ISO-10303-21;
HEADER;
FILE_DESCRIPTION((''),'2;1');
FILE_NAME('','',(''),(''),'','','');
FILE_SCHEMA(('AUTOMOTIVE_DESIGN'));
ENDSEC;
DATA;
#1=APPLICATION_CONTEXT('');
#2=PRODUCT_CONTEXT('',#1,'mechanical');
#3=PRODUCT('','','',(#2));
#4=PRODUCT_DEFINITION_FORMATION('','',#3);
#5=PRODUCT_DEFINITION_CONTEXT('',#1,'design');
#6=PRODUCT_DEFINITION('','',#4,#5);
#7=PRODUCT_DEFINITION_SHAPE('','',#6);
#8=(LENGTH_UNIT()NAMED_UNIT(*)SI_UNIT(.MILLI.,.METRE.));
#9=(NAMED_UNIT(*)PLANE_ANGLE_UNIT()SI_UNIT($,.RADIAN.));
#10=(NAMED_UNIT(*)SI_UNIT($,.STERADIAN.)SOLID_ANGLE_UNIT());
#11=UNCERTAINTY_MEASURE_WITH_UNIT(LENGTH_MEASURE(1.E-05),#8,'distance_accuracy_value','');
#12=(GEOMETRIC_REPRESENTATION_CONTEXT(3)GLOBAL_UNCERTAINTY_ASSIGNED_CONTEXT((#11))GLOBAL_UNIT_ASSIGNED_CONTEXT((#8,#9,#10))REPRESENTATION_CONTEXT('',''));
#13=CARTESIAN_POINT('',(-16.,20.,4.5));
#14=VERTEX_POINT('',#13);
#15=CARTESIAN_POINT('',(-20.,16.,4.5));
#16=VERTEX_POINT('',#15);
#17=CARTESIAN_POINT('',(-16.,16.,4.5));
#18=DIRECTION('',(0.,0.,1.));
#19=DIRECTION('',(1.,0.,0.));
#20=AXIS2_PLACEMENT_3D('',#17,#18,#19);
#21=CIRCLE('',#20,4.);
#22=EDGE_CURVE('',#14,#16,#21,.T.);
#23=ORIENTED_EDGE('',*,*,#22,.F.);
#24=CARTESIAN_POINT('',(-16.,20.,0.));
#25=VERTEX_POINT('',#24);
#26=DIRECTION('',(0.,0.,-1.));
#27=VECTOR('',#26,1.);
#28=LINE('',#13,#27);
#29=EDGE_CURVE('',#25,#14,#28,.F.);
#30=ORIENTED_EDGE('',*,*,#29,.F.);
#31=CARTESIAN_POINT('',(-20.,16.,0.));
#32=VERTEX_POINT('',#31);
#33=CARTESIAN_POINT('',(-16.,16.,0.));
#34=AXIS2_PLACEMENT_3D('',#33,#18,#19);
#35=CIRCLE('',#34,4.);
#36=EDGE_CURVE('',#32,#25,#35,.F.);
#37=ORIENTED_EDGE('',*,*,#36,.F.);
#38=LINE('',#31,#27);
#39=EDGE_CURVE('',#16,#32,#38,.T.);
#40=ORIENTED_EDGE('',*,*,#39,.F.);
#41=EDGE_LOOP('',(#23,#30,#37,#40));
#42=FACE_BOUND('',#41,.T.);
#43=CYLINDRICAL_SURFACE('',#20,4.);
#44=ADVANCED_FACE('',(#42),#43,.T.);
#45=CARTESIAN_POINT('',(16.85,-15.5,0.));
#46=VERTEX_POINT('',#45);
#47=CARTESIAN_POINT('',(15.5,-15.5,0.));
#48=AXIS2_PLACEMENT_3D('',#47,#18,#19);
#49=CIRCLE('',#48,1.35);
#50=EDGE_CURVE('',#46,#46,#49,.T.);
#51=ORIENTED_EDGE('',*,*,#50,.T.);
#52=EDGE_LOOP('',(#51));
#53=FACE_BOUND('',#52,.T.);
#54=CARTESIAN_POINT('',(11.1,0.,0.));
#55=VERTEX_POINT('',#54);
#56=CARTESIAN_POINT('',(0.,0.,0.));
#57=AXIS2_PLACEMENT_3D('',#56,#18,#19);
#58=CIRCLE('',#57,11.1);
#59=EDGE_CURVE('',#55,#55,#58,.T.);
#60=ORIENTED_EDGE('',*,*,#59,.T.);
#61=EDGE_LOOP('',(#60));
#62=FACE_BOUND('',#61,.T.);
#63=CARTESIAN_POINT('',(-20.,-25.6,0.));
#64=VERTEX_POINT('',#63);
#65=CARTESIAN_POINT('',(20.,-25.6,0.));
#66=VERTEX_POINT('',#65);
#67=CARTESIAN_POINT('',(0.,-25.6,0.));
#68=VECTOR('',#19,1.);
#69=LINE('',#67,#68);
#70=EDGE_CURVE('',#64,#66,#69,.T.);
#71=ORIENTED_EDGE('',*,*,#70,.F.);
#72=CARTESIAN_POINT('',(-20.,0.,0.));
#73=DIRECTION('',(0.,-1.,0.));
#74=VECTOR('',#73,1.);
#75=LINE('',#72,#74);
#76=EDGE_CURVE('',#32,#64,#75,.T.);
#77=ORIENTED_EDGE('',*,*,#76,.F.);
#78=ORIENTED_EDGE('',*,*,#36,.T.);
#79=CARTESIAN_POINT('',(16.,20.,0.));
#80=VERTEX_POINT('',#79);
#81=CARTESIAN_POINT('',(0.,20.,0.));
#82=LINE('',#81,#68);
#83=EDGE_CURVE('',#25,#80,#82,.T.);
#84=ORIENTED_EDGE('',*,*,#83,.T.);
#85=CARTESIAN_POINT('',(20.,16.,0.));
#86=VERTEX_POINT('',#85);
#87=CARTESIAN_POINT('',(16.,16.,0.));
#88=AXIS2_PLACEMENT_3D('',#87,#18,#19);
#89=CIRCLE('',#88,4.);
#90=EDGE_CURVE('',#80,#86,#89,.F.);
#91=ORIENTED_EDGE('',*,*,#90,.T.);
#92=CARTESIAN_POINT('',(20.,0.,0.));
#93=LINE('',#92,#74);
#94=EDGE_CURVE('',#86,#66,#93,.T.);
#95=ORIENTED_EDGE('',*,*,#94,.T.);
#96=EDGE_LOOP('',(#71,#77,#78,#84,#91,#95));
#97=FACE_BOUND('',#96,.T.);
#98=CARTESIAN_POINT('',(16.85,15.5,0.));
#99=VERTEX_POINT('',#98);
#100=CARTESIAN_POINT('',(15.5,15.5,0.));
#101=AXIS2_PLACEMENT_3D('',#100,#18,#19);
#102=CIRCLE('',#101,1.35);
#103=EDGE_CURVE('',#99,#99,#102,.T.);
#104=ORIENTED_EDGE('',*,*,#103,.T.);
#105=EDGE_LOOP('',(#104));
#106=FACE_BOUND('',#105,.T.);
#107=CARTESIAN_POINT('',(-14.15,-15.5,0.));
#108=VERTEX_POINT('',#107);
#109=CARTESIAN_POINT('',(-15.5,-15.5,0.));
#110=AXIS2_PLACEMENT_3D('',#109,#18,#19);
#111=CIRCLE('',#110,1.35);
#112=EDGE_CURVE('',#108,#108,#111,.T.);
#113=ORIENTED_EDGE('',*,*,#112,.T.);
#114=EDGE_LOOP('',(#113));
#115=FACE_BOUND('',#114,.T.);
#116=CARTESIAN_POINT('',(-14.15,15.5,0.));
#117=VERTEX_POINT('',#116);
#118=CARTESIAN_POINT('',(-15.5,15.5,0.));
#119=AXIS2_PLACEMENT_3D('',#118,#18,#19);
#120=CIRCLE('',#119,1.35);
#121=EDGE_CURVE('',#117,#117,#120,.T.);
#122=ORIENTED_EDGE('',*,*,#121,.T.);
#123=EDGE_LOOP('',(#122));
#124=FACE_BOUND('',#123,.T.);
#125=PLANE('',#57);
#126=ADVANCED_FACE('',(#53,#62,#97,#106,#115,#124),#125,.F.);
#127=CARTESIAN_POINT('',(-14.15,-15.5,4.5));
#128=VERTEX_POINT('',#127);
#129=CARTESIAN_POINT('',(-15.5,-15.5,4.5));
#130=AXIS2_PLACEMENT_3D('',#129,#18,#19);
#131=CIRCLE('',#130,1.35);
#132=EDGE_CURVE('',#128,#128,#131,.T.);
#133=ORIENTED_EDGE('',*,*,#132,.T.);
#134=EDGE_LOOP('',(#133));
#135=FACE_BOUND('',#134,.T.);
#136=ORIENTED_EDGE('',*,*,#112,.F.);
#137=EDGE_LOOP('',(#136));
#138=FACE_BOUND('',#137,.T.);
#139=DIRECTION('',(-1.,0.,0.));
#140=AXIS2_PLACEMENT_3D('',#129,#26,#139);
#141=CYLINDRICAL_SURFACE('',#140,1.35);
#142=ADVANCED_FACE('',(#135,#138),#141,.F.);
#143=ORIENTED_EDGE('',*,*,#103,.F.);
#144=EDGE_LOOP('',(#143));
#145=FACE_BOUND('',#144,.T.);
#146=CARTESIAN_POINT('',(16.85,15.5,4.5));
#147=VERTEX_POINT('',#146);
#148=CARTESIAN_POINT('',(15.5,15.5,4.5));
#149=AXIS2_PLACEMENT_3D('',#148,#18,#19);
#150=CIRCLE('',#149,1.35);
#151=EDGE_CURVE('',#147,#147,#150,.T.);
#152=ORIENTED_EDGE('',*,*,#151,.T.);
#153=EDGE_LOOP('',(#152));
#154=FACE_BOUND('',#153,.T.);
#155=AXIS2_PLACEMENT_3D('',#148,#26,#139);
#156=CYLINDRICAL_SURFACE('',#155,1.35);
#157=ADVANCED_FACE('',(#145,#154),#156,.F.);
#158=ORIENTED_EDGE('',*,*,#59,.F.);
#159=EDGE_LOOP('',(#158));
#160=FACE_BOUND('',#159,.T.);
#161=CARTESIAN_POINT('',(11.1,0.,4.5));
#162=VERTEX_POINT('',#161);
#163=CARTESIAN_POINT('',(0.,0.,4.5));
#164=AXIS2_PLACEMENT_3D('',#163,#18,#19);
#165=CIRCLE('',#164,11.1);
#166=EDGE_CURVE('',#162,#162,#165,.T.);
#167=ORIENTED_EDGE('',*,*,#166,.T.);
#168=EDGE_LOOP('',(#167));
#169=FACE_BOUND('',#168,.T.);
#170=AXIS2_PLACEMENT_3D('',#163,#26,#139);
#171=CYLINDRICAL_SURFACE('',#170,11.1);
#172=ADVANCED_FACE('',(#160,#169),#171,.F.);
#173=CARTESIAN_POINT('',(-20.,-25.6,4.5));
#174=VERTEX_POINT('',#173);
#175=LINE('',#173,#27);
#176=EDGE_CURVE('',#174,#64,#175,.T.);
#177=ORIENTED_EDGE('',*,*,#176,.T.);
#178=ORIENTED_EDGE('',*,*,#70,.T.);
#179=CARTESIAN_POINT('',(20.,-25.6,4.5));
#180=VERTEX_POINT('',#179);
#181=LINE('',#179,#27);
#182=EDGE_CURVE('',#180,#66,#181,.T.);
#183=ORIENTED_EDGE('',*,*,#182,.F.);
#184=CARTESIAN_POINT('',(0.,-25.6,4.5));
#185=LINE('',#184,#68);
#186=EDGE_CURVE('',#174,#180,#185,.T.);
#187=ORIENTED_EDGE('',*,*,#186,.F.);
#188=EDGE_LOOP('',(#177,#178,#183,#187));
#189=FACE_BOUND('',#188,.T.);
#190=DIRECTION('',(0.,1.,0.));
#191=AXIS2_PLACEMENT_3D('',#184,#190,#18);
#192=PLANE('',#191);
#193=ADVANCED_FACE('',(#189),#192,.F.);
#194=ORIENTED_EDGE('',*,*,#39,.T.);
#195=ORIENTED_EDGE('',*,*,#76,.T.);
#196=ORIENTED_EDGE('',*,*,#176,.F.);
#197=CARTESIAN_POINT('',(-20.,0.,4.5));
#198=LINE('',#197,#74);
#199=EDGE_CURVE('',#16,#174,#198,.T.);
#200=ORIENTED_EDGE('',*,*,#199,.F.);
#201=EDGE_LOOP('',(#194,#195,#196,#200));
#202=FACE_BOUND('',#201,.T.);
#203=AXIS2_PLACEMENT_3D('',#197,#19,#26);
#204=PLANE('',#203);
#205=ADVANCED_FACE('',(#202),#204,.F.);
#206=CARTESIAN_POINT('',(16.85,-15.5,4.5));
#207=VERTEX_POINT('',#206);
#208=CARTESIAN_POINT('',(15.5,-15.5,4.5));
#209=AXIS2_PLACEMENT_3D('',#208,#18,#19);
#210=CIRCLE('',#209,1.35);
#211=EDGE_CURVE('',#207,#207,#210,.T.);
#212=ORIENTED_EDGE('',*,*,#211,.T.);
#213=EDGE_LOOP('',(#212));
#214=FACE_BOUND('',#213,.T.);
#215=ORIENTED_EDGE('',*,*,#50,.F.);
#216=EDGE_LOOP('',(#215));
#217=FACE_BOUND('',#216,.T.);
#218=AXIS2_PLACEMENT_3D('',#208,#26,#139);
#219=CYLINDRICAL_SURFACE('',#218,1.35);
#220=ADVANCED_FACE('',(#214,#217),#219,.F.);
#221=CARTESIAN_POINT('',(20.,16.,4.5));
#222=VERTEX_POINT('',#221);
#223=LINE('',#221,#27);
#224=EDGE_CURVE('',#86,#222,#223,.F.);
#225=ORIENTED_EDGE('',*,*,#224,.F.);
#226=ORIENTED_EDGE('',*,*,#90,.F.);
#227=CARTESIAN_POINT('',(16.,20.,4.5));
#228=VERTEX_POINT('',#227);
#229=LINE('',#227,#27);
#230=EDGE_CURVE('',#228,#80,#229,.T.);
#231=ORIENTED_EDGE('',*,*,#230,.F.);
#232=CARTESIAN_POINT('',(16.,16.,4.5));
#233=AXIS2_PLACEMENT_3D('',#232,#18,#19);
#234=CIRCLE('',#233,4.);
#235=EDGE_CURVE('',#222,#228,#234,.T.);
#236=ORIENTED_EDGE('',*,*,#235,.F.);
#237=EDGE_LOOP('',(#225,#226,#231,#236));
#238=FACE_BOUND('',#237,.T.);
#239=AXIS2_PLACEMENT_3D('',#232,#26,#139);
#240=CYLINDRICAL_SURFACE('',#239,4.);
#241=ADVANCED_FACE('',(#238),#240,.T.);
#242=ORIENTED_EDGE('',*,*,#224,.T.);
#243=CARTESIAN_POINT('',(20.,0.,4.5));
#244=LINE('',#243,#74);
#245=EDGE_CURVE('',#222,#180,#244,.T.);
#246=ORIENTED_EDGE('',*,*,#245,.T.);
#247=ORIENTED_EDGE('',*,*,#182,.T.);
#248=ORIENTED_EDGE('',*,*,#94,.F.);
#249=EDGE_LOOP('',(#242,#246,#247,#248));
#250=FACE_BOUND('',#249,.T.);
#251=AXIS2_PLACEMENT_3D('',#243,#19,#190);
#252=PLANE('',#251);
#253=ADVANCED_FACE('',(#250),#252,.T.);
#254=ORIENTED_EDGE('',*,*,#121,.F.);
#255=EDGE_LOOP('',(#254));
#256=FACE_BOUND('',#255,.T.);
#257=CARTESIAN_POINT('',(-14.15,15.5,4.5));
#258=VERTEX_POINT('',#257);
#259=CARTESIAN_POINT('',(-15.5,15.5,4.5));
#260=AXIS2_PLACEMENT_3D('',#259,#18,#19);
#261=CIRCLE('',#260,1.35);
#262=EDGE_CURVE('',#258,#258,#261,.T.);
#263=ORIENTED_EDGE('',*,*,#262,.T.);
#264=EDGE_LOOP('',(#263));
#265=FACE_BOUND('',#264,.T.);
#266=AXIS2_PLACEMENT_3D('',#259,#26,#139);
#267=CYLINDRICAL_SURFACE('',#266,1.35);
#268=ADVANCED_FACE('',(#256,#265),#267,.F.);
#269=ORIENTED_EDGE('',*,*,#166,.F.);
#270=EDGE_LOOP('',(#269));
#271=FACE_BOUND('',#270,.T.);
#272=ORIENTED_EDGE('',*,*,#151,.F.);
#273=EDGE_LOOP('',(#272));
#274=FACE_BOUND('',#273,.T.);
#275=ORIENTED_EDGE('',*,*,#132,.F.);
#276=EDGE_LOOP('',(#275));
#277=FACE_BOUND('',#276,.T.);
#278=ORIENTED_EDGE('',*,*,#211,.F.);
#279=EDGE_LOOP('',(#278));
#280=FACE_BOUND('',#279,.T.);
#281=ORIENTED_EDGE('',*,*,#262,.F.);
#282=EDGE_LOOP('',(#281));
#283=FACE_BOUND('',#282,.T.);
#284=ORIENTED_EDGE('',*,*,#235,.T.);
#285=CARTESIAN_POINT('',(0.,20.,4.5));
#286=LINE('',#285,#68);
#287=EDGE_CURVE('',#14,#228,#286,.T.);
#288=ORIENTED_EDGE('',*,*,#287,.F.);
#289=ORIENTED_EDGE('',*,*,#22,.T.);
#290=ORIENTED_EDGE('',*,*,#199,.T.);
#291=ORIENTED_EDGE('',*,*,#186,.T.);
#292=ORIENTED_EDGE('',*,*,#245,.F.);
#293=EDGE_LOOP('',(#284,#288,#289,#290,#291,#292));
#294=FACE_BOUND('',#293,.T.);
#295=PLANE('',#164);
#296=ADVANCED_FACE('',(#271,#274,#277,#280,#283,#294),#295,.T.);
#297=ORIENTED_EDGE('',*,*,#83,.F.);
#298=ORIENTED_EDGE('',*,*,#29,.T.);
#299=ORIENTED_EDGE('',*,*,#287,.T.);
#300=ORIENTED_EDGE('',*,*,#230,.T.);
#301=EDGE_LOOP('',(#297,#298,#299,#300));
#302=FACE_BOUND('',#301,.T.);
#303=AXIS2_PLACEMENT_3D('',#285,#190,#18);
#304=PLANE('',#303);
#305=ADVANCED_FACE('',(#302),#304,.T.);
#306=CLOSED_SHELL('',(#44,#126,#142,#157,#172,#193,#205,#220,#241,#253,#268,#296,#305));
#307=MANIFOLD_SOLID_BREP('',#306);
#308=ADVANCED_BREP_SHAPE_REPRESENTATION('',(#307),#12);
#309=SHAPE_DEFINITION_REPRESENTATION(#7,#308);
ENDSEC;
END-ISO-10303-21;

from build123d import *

# Parameters (mm, degrees)
SKETCH1_W           = 40
SKETCH1_H           = 45.6
SKETCH1_R           = 1.35
SKETCH1_R_2         = 11.1
BOSS_EXTRUDE1_DEPTH = 4.5
FILLET1_R           = 4


with BuildPart() as part:
    # Sketch1 → Boss-Extrude1 (new body)
    with BuildSketch(Plane.XY):
        with Locations((0, -2.8)):
            Rectangle(SKETCH1_W, SKETCH1_H)
        with Locations((-15.5, -15.5)):
            Circle(SKETCH1_R, mode=Mode.SUBTRACT)
        with Locations((15.5, -15.5)):
            Circle(SKETCH1_R, mode=Mode.SUBTRACT)
        Circle(SKETCH1_R_2, mode=Mode.SUBTRACT)
        with Locations((-15.5, 15.5)):
            Circle(SKETCH1_R, mode=Mode.SUBTRACT)
        with Locations((15.5, 15.5)):
            Circle(SKETCH1_R, mode=Mode.SUBTRACT)
    extrude(amount=BOSS_EXTRUDE1_DEPTH)

    # Fillet1
    fillet1_edges = [part.edges().sort_by_distance(p)[0] for p in [
        (-20, 20, 2.25),
        (20, 20, 2.25),
    ]]
    fillet(fillet1_edges, radius=FILLET1_R)


solid = part.part
